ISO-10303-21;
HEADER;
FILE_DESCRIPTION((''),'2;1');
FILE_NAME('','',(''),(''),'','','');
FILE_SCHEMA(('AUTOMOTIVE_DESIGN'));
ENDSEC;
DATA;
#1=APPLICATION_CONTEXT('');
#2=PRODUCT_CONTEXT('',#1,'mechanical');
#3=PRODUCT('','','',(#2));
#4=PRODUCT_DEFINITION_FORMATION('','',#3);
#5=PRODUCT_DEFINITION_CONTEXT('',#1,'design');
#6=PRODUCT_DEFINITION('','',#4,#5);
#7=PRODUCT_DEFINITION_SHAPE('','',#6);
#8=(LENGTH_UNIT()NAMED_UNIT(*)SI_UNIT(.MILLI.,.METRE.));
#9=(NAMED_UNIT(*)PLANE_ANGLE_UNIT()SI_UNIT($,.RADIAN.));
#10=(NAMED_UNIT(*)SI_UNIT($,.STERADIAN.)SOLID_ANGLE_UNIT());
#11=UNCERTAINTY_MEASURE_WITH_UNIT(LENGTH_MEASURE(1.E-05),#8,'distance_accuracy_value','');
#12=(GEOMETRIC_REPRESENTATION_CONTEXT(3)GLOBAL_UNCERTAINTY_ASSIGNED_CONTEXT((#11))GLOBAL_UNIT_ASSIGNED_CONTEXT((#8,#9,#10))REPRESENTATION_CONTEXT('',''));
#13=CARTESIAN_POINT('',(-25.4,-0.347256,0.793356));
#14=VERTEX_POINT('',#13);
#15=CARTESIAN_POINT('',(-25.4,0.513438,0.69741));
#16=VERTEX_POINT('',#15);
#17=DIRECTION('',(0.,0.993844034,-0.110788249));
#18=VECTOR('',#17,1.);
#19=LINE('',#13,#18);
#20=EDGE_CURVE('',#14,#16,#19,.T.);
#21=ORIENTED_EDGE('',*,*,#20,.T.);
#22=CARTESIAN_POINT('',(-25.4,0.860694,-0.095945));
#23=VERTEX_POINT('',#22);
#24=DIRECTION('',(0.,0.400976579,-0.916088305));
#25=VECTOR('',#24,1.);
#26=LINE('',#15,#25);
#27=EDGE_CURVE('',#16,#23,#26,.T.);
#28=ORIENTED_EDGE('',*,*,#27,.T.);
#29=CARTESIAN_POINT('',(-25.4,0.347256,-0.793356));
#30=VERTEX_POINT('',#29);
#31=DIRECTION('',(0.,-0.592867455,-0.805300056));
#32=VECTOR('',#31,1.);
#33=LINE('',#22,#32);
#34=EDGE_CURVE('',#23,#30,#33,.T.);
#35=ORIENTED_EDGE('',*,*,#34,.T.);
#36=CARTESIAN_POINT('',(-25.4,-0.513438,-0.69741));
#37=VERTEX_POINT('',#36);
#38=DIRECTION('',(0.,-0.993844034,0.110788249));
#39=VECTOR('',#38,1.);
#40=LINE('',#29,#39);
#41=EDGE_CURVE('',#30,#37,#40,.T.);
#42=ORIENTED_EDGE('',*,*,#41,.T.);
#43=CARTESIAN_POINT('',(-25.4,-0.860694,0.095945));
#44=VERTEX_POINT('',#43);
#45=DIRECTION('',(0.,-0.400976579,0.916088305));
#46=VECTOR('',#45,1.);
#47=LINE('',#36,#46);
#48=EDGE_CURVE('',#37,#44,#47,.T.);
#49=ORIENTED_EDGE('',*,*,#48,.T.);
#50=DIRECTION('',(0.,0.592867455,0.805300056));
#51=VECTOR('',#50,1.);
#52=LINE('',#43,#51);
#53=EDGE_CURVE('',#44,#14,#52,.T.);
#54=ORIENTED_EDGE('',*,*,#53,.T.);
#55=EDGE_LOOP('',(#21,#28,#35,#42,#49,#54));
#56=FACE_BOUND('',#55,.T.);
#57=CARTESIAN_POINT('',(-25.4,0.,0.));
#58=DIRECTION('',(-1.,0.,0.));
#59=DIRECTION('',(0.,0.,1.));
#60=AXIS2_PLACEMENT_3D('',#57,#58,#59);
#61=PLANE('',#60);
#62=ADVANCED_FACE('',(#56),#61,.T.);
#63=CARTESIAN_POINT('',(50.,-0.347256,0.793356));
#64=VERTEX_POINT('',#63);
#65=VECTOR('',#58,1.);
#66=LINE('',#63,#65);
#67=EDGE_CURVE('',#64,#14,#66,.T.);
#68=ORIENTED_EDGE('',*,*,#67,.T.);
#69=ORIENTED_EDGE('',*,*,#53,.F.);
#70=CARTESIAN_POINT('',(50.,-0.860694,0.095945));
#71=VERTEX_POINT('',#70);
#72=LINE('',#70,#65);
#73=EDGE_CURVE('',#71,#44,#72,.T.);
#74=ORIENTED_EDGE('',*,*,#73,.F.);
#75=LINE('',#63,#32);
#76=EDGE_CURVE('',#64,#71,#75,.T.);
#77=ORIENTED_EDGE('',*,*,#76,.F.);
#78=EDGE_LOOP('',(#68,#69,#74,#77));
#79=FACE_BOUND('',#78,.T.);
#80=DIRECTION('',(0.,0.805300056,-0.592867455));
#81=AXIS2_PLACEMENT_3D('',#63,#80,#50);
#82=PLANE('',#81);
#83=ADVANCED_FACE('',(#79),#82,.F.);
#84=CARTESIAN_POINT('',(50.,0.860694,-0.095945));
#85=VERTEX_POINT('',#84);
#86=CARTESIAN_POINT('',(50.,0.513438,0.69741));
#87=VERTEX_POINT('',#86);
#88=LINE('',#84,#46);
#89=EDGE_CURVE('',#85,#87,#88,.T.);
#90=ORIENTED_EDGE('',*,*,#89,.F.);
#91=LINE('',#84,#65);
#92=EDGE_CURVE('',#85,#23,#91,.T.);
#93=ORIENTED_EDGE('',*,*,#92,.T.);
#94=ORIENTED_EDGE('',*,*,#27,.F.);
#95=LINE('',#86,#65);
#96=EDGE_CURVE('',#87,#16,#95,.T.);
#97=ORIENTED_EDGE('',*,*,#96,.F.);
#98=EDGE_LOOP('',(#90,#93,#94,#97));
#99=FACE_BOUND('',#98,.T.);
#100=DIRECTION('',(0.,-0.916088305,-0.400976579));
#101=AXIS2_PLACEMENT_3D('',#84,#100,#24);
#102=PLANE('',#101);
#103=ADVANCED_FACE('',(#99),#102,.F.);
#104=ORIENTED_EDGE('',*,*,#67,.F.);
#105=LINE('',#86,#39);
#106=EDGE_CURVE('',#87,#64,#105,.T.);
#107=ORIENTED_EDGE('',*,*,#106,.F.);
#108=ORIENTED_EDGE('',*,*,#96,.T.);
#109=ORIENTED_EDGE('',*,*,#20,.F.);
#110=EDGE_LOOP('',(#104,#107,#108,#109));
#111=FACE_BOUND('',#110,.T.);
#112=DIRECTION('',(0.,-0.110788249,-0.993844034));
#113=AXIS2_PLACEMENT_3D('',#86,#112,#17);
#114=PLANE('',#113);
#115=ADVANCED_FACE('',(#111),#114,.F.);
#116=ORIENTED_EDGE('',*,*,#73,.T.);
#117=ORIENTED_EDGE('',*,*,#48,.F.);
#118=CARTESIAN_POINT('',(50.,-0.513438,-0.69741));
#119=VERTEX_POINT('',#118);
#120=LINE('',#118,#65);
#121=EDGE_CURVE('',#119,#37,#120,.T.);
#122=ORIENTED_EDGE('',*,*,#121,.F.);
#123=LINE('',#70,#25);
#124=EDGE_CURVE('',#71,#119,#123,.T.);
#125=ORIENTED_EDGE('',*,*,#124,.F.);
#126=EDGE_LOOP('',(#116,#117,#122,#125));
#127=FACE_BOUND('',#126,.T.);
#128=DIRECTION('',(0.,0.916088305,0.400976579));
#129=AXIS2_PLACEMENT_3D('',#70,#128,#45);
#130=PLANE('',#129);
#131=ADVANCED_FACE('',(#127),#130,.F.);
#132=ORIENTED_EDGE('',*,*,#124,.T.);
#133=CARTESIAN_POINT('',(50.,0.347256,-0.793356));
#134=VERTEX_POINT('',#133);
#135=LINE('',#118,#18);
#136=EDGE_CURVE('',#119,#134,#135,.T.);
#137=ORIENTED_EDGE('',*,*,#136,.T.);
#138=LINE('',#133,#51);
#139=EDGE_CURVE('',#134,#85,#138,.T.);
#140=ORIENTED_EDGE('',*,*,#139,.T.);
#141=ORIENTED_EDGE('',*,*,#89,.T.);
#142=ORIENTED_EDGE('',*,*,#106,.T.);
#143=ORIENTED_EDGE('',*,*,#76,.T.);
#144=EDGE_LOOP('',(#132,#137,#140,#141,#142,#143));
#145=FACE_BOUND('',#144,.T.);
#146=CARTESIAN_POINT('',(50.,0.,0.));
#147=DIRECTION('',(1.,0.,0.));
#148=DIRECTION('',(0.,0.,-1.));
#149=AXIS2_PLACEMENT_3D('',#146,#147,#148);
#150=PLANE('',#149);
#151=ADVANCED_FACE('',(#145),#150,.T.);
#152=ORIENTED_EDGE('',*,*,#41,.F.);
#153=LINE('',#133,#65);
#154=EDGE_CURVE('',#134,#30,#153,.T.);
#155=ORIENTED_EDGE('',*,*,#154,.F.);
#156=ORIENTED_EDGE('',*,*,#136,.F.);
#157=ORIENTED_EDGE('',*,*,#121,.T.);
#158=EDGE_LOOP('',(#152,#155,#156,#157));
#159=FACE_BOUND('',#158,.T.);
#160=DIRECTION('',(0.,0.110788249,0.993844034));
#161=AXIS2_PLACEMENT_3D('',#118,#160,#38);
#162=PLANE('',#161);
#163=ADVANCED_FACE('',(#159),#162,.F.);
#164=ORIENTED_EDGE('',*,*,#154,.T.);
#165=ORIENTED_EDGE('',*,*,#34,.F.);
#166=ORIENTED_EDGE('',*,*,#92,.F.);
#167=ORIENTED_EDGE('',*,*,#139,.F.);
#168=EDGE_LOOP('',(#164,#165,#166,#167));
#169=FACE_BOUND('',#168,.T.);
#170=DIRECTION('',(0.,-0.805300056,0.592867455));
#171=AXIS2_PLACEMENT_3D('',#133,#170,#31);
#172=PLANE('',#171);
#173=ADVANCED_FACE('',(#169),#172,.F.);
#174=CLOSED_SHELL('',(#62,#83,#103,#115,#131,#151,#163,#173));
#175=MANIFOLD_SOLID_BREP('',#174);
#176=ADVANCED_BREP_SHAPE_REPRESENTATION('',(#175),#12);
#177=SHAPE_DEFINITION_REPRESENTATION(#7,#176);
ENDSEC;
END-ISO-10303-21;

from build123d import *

# Parameters (mm, degrees)
BOSS_EXTRUDE1_DEPTH = 50
BOSS_EXTRUDE2_DEPTH = 25.4


with BuildPart() as part:
    # Sketch1 → Boss-Extrude1 (new body)
    with BuildSketch(Plane(origin=(0, 0, 0), x_dir=(0, 0, -1), z_dir=(1, 0, 0))):
        Polygon((-0.697410306, 0.513438277), (-0.793355745, -0.347255904), (-0.095945438, -0.860694181), (0.697410306, -0.513438277), (0.793355745, 0.347255904), (0.095945438, 0.860694181), align=None)
    extrude(amount=BOSS_EXTRUDE1_DEPTH)

    # Sketch2 → Boss-Extrude2 (add)
    with BuildSketch(Plane.ZY):
        Polygon((-0.793355745, 0.347255904), (-0.697410306, -0.513438277), (0.095945438, -0.860694181), (0.793355745, -0.347255904), (0.697410306, 0.513438277), (-0.095945438, 0.860694181), align=None)
    extrude(amount=BOSS_EXTRUDE2_DEPTH)


solid = part.part
